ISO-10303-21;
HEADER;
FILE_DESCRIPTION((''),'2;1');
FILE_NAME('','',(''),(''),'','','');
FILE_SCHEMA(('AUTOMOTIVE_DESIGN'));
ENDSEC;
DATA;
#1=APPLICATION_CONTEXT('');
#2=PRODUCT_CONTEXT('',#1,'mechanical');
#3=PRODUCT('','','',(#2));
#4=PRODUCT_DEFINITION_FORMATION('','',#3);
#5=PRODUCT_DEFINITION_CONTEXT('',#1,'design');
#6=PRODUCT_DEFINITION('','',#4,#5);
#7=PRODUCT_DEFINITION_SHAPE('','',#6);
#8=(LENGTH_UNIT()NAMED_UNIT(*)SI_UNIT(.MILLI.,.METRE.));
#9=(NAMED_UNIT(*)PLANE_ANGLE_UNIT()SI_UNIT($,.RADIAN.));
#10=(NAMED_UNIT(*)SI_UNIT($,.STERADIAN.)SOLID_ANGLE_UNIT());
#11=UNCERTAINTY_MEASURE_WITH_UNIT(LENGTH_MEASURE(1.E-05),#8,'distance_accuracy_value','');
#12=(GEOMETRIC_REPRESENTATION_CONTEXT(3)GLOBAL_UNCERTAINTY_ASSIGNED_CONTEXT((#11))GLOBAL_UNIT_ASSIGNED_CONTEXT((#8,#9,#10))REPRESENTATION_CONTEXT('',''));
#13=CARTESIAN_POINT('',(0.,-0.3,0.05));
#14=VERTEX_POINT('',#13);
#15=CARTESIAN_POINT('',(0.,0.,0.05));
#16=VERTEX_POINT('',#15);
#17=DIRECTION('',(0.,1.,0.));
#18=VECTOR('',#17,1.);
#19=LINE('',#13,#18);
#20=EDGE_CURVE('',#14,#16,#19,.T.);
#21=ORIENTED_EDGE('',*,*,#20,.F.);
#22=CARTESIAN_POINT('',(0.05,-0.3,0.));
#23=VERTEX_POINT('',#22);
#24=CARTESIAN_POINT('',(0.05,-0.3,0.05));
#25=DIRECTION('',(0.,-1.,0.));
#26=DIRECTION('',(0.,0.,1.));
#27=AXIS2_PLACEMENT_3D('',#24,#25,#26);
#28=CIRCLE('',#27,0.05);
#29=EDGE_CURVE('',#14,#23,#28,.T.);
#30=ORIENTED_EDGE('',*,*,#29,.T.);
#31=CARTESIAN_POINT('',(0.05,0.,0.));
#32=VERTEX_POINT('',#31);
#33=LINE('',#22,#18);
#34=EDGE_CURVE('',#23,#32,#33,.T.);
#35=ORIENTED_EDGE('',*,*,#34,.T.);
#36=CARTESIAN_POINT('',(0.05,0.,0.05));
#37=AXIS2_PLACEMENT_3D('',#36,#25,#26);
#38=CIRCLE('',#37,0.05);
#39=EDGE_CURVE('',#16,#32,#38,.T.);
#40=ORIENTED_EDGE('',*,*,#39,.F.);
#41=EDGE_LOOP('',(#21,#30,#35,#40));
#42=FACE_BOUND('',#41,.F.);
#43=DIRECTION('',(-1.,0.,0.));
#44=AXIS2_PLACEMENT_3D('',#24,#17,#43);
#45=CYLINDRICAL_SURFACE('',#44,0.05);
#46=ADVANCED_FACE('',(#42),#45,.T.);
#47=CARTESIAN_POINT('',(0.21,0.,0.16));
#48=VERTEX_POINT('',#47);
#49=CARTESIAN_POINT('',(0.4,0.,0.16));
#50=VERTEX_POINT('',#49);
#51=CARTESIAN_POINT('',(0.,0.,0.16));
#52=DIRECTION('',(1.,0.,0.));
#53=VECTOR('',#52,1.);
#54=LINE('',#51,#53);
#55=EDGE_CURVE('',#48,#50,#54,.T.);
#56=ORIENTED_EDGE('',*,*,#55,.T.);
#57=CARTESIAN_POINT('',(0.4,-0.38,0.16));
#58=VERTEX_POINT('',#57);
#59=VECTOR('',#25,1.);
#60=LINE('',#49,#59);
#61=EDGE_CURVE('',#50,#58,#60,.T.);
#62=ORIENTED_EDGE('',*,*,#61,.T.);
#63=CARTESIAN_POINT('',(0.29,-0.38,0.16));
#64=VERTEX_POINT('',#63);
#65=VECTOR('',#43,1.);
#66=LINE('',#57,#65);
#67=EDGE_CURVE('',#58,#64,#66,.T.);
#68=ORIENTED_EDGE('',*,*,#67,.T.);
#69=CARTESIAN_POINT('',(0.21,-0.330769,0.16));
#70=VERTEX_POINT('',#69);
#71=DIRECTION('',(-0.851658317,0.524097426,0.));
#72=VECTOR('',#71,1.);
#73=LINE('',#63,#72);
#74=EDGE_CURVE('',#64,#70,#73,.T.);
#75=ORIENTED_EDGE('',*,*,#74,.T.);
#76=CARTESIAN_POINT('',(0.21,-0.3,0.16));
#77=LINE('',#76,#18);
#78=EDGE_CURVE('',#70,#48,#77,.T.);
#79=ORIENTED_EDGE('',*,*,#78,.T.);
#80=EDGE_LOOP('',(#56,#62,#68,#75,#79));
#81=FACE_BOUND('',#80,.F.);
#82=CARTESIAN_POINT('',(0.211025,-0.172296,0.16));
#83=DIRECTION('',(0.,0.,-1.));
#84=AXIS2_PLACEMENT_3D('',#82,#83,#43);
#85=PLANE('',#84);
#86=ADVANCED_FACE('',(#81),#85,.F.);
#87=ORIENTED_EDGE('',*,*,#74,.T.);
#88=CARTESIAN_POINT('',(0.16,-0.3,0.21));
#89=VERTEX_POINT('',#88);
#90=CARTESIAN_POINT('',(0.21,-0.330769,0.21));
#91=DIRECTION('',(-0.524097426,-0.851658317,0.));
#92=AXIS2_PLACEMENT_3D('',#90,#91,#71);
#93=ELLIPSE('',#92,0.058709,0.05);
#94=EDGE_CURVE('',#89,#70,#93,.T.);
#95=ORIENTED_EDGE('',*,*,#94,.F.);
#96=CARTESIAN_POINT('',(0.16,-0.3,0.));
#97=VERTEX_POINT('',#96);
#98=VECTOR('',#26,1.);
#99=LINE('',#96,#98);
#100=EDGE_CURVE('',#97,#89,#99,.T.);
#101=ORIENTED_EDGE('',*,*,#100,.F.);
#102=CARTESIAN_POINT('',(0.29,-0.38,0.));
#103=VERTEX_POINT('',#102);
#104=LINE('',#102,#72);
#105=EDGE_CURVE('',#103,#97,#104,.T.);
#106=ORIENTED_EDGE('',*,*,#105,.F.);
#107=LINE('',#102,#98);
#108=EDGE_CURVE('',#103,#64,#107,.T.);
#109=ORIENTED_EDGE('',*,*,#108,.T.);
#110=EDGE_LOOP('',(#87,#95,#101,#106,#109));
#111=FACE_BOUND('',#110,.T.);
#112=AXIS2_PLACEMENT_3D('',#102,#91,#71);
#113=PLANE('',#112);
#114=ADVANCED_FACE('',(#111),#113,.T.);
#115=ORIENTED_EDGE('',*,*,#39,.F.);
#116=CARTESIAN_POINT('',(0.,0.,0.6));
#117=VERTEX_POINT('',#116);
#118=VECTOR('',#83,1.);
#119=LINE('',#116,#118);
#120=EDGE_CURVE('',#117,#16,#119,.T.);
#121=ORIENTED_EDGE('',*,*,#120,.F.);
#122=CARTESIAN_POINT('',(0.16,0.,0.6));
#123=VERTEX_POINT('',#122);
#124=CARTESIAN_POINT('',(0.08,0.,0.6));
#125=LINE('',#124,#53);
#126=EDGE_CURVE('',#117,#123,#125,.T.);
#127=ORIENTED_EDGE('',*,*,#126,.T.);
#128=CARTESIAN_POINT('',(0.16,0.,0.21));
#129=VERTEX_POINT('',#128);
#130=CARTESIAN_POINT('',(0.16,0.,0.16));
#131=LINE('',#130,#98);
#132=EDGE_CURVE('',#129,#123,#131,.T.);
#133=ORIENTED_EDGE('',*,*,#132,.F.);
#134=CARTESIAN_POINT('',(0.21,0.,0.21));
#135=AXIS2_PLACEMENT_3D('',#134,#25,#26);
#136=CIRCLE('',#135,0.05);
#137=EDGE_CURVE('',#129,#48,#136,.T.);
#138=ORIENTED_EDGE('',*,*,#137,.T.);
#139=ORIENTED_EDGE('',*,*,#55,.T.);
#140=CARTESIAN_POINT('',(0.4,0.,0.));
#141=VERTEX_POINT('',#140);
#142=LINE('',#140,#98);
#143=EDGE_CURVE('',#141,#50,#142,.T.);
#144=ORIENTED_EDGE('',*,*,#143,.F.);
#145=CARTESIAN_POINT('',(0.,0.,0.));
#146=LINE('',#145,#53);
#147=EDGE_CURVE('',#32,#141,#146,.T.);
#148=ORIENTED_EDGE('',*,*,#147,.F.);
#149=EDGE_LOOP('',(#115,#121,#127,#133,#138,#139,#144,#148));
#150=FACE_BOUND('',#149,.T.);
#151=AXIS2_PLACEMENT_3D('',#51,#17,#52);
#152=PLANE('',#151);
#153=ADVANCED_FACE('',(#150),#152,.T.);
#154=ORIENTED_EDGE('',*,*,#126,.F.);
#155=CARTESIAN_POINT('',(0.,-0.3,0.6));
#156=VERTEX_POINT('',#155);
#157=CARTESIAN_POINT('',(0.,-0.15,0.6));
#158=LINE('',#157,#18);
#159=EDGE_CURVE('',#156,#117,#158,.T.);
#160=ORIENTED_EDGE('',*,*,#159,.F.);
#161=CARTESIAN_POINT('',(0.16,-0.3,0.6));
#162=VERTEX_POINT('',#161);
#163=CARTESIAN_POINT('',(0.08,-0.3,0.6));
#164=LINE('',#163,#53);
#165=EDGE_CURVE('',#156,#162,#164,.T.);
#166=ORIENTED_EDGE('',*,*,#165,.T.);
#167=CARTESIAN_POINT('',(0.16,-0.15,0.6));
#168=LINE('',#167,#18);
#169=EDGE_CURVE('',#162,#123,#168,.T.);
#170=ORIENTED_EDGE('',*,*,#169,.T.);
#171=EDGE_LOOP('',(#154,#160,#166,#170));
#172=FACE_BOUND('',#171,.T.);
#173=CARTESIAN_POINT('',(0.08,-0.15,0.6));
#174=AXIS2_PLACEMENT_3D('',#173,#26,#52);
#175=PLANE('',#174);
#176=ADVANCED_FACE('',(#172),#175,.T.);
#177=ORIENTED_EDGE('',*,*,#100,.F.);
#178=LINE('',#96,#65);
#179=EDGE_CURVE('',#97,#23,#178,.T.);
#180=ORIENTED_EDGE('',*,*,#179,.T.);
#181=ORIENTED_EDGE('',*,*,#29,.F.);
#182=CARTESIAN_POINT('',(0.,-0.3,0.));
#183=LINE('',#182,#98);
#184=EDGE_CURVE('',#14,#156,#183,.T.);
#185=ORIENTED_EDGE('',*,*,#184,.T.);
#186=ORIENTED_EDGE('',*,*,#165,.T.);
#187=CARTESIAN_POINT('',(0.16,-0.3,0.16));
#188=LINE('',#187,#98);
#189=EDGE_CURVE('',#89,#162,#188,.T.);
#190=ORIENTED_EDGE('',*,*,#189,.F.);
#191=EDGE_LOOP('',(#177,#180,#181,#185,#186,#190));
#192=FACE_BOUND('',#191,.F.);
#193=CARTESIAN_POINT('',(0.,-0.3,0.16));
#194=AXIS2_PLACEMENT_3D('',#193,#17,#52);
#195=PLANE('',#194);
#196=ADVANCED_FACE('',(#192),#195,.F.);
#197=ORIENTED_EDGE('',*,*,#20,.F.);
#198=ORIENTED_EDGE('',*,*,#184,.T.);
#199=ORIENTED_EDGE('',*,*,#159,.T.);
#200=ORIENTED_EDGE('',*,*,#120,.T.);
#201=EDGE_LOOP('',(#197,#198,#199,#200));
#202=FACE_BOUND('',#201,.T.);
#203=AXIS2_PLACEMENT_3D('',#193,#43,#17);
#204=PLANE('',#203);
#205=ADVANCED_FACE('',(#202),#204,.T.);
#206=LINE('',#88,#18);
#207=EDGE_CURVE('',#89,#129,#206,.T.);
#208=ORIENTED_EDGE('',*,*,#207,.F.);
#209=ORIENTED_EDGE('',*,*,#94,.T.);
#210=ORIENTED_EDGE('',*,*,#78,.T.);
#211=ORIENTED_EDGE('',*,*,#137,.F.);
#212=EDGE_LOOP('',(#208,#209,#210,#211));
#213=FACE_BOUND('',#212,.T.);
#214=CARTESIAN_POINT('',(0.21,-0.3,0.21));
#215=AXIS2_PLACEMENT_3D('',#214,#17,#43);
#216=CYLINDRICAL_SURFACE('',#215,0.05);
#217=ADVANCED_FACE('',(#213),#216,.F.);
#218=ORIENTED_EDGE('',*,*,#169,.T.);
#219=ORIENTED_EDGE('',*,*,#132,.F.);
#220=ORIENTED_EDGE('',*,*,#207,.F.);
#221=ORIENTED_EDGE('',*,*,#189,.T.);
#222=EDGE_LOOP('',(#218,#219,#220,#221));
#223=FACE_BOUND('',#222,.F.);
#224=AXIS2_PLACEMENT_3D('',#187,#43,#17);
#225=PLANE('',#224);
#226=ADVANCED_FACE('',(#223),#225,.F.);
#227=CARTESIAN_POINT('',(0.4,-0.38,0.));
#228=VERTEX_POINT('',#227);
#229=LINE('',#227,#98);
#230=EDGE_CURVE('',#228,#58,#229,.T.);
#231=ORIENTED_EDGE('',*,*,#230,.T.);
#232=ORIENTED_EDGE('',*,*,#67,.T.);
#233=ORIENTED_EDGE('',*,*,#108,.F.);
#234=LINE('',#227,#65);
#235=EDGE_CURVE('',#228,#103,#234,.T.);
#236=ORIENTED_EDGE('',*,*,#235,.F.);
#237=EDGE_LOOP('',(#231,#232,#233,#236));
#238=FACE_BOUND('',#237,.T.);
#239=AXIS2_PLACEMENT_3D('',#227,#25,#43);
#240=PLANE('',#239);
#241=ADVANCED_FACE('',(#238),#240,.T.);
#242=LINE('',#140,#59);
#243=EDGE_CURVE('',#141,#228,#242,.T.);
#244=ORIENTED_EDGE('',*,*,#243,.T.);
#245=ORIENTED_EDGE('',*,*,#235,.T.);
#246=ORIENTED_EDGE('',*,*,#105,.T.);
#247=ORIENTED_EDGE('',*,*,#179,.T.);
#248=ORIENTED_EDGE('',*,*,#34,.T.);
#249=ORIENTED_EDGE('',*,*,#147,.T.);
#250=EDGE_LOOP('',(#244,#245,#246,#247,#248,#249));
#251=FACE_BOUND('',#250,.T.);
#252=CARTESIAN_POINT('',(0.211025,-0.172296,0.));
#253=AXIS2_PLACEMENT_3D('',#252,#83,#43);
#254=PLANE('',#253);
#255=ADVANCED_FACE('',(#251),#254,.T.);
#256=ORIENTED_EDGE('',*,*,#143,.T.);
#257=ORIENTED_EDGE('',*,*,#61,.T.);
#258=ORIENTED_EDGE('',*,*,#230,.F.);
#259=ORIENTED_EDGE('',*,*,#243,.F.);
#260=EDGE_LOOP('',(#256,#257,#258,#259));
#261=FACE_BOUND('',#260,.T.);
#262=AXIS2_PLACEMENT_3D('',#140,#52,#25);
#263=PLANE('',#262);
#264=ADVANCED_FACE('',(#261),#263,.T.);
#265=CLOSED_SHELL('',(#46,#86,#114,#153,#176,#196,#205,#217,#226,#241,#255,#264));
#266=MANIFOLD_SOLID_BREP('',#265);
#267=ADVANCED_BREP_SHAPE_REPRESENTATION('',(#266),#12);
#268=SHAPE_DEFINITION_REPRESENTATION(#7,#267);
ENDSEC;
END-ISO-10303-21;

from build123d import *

# Parameters (mm, degrees)
EXTRUDE_1_DEPTH = 0.16
SKETCH_2_W      = 0.16
SKETCH_2_H      = 0.3
EXTRUDE_2_DEPTH = 0.44
FILLET_1_R      = 0.05
FILLET_2_R      = 0.05


with BuildPart() as part:
    # 草图1 → 凸台-拉伸1 (new body)
    with BuildSketch(Plane.XY):
        Polygon((0, 0), (0.4, 0), (0.4, -0.38), (0.29, -0.38), (0.16, -0.3), (0, -0.3), align=None)
    extrude(amount=EXTRUDE_1_DEPTH)

    # 草图2 → 凸台-拉伸2 (add)
    with BuildSketch(Plane.XY.offset(0.16)):
        with Locations((0.08, -0.15)):
            Rectangle(SKETCH_2_W, SKETCH_2_H)
    extrude(amount=EXTRUDE_2_DEPTH)

    # 圆角1
    fillet_1_edges = [part.edges().sort_by_distance(p)[0] for p in [
        (0, -0.15, 0),
    ]]
    fillet(fillet_1_edges, radius=FILLET_1_R)

    # 圆角2
    fillet_2_edges = [part.edges().sort_by_distance(p)[0] for p in [
        (0.16, -0.15, 0.16),
    ]]
    fillet(fillet_2_edges, radius=FILLET_2_R)


solid = part.part
